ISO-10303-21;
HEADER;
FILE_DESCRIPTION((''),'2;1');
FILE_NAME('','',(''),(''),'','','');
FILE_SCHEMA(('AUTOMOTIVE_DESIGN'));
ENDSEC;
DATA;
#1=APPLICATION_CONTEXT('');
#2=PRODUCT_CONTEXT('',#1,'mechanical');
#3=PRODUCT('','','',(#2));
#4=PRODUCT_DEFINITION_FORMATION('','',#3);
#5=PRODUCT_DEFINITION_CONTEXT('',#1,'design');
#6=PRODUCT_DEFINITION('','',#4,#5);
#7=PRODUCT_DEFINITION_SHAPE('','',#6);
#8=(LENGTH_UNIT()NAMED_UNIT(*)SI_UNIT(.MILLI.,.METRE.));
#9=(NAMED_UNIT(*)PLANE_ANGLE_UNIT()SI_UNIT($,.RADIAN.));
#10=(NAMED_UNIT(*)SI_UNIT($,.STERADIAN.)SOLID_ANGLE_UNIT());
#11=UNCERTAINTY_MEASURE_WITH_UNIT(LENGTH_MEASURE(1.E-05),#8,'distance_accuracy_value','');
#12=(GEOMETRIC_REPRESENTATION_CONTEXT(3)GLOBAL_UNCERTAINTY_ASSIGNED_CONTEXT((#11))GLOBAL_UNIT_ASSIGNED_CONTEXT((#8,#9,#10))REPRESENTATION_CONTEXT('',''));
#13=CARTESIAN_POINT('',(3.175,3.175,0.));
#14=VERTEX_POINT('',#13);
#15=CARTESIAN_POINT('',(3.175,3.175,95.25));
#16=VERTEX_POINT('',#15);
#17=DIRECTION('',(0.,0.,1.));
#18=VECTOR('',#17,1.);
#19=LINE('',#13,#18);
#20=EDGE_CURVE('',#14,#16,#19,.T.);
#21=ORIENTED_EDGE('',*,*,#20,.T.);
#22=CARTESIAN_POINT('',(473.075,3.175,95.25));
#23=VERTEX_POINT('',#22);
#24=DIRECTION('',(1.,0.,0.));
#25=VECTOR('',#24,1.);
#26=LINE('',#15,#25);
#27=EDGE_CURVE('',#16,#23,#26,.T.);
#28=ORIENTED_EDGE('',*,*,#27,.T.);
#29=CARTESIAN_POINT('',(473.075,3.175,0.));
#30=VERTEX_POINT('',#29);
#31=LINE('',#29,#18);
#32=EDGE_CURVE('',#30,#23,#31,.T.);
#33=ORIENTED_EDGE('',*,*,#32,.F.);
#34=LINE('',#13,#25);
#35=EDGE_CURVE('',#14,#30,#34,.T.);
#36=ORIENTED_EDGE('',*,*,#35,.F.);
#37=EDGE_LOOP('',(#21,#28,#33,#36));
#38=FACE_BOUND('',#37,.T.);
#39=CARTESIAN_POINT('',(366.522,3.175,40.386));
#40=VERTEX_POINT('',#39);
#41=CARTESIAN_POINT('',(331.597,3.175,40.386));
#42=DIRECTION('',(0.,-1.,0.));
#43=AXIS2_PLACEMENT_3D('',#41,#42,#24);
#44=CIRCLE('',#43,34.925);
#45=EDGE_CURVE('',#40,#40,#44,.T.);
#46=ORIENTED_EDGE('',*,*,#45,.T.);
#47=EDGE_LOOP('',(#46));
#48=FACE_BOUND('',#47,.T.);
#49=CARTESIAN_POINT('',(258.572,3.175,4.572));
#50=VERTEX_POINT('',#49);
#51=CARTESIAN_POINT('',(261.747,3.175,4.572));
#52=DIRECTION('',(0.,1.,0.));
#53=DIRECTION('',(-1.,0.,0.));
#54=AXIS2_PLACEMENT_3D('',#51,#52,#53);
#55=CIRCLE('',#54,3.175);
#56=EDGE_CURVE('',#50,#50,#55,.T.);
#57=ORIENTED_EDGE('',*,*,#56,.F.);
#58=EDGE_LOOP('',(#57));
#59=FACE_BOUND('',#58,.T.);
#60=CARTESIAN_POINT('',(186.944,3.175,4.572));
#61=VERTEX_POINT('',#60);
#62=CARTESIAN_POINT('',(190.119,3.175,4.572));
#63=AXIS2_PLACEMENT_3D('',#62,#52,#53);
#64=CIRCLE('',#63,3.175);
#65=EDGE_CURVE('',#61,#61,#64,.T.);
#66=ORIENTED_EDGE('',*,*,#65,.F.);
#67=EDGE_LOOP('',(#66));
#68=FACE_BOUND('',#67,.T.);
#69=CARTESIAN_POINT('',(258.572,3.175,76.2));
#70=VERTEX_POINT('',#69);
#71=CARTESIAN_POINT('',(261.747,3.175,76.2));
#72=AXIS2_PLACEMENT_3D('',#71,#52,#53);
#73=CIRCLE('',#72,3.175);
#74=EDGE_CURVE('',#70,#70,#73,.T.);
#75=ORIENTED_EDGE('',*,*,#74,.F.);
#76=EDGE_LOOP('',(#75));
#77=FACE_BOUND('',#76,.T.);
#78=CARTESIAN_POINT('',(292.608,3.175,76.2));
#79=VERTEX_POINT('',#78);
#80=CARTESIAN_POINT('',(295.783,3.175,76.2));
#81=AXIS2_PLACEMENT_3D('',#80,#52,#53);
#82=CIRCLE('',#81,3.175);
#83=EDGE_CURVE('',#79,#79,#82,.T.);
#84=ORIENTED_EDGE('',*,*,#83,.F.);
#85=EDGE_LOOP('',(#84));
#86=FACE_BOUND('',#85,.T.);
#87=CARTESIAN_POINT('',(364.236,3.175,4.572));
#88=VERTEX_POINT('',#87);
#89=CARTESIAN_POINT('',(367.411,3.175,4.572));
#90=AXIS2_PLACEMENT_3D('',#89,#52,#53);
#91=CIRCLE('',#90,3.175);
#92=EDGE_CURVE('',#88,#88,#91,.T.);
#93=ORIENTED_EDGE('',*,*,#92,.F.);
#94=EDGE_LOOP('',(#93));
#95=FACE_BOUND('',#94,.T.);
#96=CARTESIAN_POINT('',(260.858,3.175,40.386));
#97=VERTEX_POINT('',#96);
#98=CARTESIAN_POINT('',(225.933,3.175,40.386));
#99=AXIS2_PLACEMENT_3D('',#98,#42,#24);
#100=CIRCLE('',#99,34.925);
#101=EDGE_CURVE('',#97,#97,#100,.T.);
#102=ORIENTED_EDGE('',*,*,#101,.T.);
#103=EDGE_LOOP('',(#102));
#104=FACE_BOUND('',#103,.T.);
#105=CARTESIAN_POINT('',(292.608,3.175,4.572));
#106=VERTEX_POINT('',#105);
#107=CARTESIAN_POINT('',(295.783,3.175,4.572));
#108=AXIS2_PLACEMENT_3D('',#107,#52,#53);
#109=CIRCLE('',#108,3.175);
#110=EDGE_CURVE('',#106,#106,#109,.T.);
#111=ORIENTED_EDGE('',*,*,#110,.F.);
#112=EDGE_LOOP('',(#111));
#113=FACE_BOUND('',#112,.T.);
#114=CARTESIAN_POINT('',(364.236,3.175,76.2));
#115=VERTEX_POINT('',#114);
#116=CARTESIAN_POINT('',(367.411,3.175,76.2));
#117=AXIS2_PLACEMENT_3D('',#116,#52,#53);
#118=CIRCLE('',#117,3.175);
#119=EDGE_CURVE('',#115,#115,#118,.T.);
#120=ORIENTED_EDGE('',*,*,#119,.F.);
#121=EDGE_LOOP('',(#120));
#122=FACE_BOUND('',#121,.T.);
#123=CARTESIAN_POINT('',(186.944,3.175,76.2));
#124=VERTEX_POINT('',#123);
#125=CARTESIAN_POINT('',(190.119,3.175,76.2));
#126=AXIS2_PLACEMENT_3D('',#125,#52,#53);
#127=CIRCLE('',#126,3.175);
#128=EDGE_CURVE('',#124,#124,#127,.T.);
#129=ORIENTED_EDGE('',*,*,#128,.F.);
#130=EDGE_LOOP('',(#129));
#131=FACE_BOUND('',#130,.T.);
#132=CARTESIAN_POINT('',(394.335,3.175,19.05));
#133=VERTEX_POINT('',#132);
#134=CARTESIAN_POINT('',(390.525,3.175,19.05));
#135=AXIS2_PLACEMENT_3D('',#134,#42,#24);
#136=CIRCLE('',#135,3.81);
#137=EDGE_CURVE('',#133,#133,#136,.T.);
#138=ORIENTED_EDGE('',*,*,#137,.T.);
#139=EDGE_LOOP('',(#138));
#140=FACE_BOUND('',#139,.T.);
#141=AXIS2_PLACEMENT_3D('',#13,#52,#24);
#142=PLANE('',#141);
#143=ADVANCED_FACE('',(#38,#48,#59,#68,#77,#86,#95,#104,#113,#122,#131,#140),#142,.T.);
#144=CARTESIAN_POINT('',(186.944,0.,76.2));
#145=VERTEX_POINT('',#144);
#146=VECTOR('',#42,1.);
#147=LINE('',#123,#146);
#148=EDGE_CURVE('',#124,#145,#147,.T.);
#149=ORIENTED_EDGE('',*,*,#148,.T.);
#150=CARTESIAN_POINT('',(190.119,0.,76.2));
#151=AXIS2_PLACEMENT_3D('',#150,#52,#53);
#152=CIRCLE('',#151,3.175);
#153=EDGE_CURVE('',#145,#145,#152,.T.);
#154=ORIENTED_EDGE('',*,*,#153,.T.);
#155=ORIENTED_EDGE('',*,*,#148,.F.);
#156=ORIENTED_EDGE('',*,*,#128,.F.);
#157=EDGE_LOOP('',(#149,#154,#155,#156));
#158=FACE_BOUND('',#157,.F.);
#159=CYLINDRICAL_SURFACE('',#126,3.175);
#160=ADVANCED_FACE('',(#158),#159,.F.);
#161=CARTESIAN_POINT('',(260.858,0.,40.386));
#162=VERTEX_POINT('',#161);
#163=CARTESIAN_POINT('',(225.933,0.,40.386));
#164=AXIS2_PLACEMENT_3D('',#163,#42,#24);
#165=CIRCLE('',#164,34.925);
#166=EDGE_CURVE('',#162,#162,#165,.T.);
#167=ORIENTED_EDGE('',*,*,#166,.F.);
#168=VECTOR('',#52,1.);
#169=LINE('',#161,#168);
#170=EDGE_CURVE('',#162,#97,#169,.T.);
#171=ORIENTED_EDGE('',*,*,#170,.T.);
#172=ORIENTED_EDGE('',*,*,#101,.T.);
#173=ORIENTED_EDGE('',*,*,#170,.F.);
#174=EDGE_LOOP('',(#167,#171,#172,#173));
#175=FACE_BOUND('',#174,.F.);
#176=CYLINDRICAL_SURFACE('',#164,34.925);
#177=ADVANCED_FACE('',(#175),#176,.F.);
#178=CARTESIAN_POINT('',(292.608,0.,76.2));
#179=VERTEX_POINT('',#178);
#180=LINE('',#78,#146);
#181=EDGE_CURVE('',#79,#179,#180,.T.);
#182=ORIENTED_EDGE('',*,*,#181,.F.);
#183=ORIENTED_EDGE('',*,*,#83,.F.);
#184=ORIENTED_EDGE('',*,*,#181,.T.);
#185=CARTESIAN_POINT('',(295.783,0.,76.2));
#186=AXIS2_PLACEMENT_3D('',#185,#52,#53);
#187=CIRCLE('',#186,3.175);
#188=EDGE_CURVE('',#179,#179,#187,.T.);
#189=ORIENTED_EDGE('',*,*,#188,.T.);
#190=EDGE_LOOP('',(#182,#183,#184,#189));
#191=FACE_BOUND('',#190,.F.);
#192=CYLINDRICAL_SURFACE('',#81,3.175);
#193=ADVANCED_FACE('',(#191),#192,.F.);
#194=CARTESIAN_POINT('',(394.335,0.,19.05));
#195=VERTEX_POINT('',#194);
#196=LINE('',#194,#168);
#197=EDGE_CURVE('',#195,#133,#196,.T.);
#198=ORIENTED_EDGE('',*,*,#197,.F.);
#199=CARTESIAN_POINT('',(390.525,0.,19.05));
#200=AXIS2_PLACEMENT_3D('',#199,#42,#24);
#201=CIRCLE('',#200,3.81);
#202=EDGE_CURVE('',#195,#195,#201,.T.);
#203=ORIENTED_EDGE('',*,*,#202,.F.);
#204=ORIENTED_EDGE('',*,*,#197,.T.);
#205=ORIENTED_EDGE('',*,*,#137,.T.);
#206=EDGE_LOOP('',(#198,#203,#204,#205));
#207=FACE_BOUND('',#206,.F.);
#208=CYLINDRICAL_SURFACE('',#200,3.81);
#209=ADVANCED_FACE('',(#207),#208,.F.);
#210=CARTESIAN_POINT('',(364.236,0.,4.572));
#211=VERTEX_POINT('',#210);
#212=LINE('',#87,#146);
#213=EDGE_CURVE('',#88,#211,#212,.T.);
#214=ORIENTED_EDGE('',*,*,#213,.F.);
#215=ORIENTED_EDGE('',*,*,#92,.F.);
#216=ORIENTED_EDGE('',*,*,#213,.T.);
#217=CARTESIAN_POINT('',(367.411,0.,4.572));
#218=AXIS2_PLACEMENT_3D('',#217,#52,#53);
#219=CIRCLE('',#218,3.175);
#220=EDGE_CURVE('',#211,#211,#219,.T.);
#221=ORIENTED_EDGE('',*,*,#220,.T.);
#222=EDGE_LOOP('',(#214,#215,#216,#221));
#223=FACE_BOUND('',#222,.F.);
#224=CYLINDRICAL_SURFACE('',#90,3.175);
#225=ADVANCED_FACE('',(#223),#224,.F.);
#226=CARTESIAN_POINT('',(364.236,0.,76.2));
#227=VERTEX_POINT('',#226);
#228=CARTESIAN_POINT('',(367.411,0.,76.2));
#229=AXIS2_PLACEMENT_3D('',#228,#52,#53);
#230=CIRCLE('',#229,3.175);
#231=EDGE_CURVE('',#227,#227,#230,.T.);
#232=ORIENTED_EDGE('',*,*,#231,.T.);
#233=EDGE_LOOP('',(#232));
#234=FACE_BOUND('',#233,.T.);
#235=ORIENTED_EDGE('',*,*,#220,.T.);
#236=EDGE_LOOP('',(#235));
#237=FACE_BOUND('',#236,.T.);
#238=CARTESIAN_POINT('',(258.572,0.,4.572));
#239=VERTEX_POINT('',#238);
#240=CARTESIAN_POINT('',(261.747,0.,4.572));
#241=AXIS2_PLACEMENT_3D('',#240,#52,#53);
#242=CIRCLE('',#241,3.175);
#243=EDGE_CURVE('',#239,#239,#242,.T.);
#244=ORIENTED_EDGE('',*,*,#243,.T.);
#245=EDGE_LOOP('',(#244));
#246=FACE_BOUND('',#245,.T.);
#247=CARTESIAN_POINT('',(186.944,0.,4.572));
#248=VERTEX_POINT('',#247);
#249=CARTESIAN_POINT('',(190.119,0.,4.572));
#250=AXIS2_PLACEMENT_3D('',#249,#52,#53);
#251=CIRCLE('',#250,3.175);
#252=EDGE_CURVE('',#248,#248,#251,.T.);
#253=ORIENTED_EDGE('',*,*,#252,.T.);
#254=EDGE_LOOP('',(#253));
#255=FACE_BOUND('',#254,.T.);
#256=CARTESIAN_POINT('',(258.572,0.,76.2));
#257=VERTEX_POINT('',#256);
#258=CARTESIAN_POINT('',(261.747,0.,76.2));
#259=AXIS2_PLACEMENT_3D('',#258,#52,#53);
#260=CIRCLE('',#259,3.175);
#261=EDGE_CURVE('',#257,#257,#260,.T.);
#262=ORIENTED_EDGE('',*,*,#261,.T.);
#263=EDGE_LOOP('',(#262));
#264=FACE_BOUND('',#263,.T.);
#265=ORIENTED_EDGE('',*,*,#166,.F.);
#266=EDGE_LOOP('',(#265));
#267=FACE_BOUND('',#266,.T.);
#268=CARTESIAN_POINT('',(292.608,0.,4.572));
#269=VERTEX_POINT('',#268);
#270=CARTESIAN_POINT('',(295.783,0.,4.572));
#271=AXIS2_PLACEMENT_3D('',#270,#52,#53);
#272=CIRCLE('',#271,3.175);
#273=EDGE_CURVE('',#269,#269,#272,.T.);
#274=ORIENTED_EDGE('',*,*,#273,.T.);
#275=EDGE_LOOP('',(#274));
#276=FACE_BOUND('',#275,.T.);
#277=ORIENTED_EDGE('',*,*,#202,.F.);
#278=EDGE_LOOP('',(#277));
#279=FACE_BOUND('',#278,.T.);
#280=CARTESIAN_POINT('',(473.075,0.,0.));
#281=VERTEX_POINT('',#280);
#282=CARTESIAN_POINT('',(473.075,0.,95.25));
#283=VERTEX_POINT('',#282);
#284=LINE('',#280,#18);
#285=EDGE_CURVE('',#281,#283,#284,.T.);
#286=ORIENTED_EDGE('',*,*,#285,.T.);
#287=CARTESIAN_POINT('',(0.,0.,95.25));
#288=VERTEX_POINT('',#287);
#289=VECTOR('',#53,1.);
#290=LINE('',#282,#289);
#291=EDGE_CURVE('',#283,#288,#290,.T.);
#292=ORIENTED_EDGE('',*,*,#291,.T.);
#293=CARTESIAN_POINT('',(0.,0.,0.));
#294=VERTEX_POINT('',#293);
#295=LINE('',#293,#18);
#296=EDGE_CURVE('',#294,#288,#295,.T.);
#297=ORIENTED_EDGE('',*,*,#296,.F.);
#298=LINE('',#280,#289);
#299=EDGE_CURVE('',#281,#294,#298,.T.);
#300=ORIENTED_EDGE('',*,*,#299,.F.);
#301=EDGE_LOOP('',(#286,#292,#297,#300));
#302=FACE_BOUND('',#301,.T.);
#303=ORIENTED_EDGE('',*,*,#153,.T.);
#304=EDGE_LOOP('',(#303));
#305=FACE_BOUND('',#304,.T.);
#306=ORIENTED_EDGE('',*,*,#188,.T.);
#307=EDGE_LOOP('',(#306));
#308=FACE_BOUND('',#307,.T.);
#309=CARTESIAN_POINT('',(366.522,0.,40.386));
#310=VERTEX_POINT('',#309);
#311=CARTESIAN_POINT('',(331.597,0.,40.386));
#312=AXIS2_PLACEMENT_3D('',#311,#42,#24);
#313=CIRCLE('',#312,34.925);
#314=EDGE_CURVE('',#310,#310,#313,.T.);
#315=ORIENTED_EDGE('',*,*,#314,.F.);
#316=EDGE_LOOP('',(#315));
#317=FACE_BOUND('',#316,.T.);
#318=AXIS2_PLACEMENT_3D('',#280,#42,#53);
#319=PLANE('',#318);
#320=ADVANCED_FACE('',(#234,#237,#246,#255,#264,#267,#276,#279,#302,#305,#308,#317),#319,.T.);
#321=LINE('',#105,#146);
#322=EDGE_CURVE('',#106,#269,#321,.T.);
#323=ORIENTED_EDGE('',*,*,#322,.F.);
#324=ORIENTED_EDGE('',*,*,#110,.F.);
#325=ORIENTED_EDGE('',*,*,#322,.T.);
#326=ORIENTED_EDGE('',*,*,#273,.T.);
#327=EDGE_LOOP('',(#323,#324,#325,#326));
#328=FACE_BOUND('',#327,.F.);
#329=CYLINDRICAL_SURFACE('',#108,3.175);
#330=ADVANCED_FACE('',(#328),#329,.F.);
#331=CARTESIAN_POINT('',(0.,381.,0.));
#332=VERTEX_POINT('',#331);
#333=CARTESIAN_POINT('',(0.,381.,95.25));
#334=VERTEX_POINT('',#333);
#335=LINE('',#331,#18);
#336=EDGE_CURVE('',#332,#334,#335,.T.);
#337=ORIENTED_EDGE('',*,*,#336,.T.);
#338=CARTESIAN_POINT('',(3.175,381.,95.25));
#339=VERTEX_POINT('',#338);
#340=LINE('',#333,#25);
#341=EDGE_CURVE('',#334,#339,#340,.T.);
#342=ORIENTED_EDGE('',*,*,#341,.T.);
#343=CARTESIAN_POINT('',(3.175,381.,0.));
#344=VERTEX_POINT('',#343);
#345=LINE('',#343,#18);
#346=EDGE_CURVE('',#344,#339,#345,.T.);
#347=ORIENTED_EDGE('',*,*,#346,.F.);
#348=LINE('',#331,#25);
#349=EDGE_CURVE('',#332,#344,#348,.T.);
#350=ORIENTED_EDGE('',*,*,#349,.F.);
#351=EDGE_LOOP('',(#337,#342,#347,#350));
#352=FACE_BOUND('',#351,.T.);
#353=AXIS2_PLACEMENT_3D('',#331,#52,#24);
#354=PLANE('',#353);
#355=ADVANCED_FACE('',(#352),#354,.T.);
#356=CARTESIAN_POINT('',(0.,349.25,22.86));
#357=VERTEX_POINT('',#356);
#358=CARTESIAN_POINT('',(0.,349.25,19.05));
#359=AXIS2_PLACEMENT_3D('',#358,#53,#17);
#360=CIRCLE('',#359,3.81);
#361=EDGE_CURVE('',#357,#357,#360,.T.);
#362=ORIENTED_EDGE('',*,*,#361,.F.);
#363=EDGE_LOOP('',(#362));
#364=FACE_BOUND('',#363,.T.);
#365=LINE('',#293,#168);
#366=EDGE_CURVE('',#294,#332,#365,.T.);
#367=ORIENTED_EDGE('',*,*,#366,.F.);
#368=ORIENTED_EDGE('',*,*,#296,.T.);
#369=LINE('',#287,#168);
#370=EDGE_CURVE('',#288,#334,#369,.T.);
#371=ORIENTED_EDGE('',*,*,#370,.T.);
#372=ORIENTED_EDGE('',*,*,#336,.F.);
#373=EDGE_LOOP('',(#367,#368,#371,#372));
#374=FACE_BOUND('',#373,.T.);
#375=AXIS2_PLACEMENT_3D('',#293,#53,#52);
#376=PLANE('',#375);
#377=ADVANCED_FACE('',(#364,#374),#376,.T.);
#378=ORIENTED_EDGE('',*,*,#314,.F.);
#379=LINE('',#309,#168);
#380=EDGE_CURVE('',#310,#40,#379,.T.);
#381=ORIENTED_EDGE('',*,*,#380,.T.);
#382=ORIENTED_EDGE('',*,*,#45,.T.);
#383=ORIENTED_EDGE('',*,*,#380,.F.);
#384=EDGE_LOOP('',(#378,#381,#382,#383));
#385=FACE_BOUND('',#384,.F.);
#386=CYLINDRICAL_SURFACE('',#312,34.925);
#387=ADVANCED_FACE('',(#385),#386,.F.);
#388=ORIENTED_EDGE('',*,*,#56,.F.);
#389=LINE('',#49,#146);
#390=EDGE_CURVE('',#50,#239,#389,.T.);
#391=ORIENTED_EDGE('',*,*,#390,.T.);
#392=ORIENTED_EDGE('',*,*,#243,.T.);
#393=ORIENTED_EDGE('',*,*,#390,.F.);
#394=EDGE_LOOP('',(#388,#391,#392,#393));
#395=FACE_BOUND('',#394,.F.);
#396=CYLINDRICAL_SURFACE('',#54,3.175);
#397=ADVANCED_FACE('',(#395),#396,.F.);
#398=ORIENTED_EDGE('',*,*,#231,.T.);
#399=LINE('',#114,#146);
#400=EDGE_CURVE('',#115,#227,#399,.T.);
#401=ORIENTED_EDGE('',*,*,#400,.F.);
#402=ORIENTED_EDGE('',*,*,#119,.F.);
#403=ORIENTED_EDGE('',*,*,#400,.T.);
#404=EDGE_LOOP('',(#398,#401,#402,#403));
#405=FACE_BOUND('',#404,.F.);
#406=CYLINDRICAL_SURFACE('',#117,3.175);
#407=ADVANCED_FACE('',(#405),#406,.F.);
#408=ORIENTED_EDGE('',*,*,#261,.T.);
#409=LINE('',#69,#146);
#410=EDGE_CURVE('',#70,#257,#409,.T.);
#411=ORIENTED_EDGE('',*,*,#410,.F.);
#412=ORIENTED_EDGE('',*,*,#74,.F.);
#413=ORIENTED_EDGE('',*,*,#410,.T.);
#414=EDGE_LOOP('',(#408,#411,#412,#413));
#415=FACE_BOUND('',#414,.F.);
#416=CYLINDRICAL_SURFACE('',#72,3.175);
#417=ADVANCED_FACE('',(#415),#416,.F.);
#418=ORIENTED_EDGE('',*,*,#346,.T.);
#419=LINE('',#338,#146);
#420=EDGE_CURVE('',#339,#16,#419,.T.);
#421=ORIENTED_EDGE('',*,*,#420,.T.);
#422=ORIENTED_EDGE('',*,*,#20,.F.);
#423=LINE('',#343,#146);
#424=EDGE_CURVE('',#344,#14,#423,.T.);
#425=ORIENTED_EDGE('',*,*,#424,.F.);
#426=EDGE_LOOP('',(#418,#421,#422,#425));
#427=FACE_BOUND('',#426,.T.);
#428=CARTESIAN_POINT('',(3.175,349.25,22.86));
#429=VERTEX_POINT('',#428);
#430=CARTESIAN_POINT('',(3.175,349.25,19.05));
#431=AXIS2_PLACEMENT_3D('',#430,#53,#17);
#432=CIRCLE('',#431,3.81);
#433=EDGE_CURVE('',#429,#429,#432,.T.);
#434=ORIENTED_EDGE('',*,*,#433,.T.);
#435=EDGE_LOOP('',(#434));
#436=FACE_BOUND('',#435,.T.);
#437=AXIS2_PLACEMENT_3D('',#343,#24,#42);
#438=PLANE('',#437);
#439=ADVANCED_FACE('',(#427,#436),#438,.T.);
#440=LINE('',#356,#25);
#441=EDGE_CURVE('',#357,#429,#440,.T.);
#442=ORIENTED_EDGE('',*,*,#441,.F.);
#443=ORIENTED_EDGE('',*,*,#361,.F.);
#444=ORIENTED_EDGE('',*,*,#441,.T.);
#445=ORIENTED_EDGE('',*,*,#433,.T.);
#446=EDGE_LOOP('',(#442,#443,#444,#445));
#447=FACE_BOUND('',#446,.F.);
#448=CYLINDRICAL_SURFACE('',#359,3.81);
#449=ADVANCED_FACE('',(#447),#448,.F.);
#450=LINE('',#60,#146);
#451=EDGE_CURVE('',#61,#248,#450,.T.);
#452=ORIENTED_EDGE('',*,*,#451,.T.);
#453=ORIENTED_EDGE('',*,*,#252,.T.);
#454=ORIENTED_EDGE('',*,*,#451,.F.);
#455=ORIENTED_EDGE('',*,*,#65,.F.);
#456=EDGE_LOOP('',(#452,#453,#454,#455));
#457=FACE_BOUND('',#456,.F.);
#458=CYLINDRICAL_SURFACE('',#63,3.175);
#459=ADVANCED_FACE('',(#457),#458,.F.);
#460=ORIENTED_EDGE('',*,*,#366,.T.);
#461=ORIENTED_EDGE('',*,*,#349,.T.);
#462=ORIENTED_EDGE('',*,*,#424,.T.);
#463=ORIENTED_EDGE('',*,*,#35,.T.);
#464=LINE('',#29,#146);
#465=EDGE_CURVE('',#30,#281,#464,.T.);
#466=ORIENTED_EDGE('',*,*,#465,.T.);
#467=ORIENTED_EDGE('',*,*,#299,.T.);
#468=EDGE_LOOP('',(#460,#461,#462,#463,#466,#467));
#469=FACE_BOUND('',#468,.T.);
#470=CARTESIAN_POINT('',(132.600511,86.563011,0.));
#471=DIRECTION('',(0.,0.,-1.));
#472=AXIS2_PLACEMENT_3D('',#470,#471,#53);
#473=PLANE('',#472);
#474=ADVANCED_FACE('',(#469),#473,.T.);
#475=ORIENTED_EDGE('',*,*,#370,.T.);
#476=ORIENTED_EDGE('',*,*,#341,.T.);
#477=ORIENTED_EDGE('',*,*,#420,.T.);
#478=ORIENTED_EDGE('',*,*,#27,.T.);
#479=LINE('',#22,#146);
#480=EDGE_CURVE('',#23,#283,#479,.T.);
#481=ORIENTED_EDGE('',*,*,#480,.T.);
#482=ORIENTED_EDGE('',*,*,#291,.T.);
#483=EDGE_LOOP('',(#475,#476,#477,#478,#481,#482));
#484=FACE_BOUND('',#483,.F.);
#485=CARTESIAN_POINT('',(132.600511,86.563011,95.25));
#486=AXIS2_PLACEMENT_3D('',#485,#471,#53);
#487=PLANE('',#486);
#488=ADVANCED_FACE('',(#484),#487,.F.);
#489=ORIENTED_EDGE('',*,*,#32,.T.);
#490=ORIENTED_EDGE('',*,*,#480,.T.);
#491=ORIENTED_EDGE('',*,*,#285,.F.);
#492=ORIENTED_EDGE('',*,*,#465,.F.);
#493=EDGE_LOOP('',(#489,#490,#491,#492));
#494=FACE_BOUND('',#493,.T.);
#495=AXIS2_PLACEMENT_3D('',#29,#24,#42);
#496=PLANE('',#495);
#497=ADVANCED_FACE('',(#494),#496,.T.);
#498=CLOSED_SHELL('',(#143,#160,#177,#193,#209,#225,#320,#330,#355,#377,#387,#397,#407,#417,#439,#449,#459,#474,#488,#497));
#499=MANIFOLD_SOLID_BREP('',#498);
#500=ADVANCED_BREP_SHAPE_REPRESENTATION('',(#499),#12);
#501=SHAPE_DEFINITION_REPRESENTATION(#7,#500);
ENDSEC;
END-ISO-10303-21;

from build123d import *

# Parameters (mm, degrees)
BOSS_EXTRUDE1_DEPTH = 95.25
SKETCH2_R           = 3.175
CUT_EXTRUDE1_DEPTH  = 152.4
SKETCH4_R           = 34.925
SKETCH4_R_2         = 3.81
CUT_EXTRUDE2_DEPTH  = 381
SKETCH5_R           = 3.81
CUT_EXTRUDE3_DEPTH  = 12.7


with BuildPart() as part:
    # Sketch1 → Boss-Extrude1 (new body)
    with BuildSketch(Plane.XY):
        Polygon((0, 0), (0, 381), (3.175, 381), (3.175, 3.175), (473.075, 3.175), (473.075, 0), align=None)
    extrude(amount=BOSS_EXTRUDE1_DEPTH)

    # Sketch2 → Cut-Extrude1 (cut)
    with BuildSketch(Plane(origin=(0, 3.175, 0), x_dir=(1, 0, 0), z_dir=(0, 1, 0))):
        with Locations(Location((190.119, -4.572, 0), (0, 0, 180))):
            Circle(SKETCH2_R)
        with Locations(Location((190.119, -76.2, 0), (0, 0, 180))):
            Circle(SKETCH2_R)
        with Locations(Location((261.747, -4.572, 0), (0, 0, 180))):
            Circle(SKETCH2_R)
        with Locations(Location((261.747, -76.2, 0), (0, 0, 180))):
            Circle(SKETCH2_R)
        with Locations(Location((295.783, -76.2, 0), (0, 0, 180))):
            Circle(SKETCH2_R)
        with Locations(Location((295.783, -4.572, 0), (0, 0, 180))):
            Circle(SKETCH2_R)
        with Locations(Location((367.411, -76.2, 0), (0, 0, 180))):
            Circle(SKETCH2_R)
        with Locations(Location((367.411, -4.572, 0), (0, 0, 180))):
            Circle(SKETCH2_R)
    extrude(amount=-CUT_EXTRUDE1_DEPTH, mode=Mode.SUBTRACT)

    # Sketch4 → Cut-Extrude2 (cut)
    with BuildSketch(Plane.XZ):
        with Locations((225.933, 40.386)):
            Circle(SKETCH4_R)
        with Locations((331.597, 40.386)):
            Circle(SKETCH4_R)
        with Locations((390.525, 19.05)):
            Circle(SKETCH4_R_2)
    extrude(amount=-CUT_EXTRUDE2_DEPTH, mode=Mode.SUBTRACT)

    # Sketch5 → Cut-Extrude3 (cut)
    with BuildSketch(Plane.ZY):
        with Locations((19.05, 349.25)):
            Circle(SKETCH5_R)
    extrude(amount=-CUT_EXTRUDE3_DEPTH, mode=Mode.SUBTRACT)


solid = part.part
